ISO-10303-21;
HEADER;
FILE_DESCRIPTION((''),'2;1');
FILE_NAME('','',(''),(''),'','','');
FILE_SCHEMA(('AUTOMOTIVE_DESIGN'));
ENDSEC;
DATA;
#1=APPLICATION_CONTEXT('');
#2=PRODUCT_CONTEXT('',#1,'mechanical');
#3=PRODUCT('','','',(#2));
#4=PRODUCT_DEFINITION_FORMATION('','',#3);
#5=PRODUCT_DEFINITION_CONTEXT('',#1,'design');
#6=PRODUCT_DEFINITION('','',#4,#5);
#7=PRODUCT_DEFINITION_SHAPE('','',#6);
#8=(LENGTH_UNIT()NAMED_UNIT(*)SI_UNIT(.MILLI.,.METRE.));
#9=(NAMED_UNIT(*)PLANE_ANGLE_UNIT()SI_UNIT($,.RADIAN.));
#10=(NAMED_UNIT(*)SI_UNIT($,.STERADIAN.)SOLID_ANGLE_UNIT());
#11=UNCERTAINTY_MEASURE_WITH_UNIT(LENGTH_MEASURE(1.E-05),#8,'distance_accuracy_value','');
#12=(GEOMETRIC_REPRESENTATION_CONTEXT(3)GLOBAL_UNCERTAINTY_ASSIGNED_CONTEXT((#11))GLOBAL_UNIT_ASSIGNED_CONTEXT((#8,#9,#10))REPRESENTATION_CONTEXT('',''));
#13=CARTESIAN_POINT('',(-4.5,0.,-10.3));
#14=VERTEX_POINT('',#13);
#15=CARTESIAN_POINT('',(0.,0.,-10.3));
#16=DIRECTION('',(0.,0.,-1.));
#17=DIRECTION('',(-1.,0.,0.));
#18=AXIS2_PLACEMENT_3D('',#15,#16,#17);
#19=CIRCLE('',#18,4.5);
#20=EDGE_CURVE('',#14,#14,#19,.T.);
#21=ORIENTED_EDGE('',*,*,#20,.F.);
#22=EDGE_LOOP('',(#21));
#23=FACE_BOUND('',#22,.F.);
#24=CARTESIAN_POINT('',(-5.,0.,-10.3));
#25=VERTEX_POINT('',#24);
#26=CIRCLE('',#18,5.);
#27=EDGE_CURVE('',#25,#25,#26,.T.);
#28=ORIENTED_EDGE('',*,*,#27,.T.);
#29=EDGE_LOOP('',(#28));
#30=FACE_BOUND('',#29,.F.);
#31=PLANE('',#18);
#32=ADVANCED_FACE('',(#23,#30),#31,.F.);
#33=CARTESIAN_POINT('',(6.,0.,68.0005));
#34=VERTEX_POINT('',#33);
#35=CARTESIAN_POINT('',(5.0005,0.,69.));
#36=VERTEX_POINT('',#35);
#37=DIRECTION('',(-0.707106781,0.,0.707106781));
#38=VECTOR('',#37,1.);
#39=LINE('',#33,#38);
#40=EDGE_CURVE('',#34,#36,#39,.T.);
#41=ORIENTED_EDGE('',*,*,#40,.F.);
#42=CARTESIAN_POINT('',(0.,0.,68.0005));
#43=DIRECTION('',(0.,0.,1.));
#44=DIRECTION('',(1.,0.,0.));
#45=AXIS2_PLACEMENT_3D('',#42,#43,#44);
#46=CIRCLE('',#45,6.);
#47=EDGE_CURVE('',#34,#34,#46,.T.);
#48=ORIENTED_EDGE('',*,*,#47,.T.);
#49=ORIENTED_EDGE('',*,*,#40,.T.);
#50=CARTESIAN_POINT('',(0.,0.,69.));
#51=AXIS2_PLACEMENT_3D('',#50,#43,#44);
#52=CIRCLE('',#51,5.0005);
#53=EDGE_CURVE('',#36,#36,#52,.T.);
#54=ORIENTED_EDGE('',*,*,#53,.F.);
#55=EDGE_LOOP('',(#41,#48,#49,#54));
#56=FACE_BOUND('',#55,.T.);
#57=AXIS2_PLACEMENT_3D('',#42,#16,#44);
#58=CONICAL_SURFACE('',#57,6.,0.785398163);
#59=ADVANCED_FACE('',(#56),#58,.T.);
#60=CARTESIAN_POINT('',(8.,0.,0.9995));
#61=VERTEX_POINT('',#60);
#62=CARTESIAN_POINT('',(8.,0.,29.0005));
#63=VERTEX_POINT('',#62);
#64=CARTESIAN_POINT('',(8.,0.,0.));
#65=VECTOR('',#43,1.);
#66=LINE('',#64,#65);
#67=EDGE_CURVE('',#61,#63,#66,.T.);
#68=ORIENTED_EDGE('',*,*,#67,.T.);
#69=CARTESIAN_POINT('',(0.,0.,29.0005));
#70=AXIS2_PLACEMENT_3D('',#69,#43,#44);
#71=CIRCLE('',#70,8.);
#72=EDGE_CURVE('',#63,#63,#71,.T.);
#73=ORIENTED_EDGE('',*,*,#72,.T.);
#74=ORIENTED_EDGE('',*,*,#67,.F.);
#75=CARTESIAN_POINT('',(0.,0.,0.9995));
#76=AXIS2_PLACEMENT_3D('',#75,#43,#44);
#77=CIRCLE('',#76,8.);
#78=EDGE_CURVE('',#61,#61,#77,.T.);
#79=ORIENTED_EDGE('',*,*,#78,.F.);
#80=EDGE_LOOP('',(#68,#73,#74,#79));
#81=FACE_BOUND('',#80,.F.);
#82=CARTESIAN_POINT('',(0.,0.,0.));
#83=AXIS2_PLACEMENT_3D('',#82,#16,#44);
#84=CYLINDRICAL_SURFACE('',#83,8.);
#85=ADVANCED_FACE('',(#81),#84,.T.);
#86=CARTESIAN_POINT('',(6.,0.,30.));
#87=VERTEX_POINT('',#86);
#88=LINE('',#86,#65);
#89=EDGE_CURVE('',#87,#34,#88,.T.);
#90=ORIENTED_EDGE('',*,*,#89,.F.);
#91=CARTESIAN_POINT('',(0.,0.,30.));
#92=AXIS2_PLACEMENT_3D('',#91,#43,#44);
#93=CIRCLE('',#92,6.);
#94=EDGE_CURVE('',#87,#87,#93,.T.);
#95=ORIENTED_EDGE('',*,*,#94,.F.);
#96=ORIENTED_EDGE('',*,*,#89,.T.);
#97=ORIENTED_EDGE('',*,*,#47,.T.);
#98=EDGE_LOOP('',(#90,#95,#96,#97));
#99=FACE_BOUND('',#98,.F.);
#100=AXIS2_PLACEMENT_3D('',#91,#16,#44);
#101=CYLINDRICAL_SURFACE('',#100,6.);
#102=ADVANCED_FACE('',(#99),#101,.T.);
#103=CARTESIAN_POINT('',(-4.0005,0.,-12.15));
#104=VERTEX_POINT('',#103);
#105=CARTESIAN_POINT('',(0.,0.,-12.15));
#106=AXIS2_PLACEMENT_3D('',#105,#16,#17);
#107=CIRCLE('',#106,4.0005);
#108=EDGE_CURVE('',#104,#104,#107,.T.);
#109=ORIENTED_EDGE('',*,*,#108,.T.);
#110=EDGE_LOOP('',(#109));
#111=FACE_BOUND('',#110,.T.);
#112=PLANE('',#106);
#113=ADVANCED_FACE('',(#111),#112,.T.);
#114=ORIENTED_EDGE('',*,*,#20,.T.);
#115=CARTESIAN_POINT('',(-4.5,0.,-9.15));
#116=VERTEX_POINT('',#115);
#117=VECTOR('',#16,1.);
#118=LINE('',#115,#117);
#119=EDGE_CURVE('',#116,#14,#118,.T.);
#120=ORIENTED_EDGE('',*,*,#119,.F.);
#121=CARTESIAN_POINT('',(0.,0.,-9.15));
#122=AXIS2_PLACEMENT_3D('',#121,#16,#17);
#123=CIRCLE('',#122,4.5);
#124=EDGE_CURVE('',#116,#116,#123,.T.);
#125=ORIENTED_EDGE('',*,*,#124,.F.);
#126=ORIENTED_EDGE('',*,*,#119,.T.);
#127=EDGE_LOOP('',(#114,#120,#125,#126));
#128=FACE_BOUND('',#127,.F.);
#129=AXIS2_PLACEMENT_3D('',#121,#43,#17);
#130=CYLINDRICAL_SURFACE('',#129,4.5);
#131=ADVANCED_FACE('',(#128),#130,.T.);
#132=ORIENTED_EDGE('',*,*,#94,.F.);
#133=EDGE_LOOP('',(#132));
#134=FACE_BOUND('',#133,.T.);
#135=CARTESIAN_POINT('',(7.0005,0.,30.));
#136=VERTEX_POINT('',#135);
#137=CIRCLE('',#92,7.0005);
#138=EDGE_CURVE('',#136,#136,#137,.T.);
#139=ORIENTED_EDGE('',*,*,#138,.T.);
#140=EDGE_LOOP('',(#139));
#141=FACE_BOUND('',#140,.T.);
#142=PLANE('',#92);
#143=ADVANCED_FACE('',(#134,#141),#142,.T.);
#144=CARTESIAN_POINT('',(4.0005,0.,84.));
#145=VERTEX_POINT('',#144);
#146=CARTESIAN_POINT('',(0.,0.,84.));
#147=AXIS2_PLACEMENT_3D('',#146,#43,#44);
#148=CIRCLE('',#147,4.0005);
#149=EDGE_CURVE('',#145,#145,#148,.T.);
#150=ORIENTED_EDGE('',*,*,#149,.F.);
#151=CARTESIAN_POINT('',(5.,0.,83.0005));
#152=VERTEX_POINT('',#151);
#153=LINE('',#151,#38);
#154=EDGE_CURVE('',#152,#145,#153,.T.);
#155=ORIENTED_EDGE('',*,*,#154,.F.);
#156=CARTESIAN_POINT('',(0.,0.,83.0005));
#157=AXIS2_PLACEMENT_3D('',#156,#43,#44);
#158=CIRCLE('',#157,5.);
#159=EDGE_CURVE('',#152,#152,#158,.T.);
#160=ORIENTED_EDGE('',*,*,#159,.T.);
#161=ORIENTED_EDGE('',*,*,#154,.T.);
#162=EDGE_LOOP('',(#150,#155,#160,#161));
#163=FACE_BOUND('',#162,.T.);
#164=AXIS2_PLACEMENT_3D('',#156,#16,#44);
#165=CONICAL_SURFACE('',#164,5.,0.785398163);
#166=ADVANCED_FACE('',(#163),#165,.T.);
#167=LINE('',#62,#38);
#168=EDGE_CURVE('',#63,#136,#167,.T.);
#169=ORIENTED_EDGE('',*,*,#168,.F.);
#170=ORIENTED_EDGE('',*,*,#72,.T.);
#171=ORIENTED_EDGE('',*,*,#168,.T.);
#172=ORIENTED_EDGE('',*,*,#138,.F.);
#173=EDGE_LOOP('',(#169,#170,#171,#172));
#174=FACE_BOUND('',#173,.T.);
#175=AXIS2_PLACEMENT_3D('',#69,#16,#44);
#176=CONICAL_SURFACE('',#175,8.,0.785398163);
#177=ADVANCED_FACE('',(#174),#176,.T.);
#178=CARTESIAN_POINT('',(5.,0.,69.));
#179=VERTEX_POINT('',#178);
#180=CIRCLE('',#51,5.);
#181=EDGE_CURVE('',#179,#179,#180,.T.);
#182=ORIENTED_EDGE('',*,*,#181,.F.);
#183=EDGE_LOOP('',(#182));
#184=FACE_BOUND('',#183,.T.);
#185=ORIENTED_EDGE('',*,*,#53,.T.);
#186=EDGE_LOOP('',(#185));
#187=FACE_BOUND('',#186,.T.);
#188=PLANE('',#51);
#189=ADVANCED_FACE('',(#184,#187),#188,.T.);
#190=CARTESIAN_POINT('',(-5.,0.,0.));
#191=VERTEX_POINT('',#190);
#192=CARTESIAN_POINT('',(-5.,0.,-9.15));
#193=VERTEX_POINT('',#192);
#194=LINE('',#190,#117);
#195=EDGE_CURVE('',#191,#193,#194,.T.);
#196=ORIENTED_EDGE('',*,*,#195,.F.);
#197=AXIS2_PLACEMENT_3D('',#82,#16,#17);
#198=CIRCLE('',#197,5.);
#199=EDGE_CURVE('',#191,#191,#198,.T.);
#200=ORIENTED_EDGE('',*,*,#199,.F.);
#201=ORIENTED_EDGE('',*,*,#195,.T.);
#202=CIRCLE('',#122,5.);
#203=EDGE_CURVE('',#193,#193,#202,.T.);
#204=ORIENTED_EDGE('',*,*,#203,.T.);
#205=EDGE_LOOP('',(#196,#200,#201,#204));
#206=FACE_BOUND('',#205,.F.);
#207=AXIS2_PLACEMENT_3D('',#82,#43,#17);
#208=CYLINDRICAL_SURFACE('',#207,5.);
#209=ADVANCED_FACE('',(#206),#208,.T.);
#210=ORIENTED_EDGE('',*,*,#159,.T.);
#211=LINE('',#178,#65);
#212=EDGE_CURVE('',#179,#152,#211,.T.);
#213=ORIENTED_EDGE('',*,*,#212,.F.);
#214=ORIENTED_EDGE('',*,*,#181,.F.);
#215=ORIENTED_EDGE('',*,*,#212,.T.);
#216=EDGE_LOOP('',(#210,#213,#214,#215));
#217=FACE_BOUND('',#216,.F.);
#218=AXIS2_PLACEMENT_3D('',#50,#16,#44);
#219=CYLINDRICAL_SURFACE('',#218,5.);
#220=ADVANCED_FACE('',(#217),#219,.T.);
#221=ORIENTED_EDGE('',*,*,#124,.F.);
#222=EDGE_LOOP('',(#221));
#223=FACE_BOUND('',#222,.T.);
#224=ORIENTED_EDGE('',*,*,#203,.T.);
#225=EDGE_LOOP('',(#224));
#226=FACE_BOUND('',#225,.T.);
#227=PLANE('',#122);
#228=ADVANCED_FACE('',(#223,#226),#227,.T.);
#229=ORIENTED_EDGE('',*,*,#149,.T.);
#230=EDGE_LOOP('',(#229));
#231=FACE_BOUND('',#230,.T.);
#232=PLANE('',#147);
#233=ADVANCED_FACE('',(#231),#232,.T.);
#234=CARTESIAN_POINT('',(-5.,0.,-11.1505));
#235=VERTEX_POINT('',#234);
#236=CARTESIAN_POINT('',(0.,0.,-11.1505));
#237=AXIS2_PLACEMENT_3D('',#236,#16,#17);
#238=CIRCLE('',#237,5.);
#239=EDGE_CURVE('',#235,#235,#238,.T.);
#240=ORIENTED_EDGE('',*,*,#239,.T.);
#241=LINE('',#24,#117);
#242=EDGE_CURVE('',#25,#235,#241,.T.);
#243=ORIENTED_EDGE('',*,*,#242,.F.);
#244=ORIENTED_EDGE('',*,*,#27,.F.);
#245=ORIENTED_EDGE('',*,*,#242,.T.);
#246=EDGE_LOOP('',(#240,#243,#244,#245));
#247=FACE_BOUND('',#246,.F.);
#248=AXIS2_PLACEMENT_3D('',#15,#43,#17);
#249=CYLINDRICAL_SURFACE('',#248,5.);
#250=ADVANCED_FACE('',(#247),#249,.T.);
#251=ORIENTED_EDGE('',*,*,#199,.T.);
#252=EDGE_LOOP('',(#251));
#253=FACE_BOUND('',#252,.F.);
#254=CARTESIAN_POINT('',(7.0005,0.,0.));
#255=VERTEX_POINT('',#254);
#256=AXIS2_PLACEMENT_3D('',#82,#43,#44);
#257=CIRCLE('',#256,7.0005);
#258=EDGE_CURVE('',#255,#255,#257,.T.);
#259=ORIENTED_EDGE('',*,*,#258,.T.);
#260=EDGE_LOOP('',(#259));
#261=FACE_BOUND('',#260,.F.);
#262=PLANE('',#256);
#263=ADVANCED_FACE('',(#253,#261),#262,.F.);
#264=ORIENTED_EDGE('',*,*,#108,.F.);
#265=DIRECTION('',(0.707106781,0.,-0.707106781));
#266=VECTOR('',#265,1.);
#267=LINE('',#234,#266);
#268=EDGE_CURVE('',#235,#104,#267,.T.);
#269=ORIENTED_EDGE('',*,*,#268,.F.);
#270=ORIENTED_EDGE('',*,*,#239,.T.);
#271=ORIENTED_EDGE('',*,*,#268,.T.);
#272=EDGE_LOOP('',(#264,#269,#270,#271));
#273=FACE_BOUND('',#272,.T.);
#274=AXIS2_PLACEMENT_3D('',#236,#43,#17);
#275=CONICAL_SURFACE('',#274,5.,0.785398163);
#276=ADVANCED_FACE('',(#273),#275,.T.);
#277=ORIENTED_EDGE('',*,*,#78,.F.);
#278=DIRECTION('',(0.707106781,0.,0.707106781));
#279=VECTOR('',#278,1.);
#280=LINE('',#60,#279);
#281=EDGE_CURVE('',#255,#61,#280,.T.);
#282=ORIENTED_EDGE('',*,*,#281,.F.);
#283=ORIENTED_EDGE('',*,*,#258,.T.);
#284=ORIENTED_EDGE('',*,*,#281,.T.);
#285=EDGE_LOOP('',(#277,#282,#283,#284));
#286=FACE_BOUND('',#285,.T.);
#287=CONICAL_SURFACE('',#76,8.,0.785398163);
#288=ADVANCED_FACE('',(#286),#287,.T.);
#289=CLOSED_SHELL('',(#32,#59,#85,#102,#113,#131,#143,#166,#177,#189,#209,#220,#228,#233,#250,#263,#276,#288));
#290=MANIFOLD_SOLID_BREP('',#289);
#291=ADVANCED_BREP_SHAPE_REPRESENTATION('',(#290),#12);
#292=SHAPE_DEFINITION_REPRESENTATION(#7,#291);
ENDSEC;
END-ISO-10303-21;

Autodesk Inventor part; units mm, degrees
ref_plane "YZ Plane" through (0, 0, 0) normal (1, 0, 0) x (0, 1, 0)
ref_plane "XZ Plane" through (0, 0, 0) normal (0, 1, 0) x (-1, 0, 0)
ref_plane "XY Plane" through (0, 0, 0) normal (0, 0, 1) x (1, 0, 0)
sketch "Esboço1" plane through (0, 0, 0) normal (0, 0, 1) x (1, 0, 0)
  circle A0 centre (0, 0) radius 8
  dimension "d0" = 16
extrude "Extrusão1" add sketch "Esboço1" along normal blind 30
sketch "Esboço2" plane through (0, 0, 30) normal (0, 0, 1) x (1, 0, 0)
  circle A0 centre (0, 0) radius 6
  dimension "d3" = 12
extrude "Extrusão2" add sketch "Esboço2" along normal blind 39
sketch "Esboço3" plane through (0, 0, 69) normal (0, 0, 1) x (1, 0, 0)
  circle A0 centre (0, 0) radius 5
  dimension "d6" = 10
extrude "Extrusão3" add sketch "Esboço3" along normal blind 15
sketch "Esboço4" plane through (0, 0, 0) normal (0, 0, -1) x (-1, 0, 0)
  circle A0 centre (0, 0) radius 5
  dimension "d9" = 10
extrude "Extrusão4" add sketch "Esboço4" along normal blind 9.15
sketch "Esboço5" plane through (0, 0, -9.15) normal (0, 0, -1) x (-1, 0, 0)
  circle A0 centre (0, 0) radius 4.5
  dimension "d12" = 9
extrude "Extrusão5" add sketch "Esboço5" along normal blind 1.15
sketch "Esboço6" plane through (0, 0, -10.3) normal (0, 0, -1) x (-1, 0, 0)
  circle A0 centre (0, 0) radius 5
  dimension "d15" = 10
extrude "Extrusão6" add sketch "Esboço6" along normal blind 1.85
thread "Rosca1" size "M12x1.75" class "6g" standard "ANSI Metric M Profile" length 14
chamfer "Chanfro1" distance 1 angle 45 5 edges at (-5, 0, 84) (-6, 0, 69) (-8, 0, 30) (-8, 0, 0) (5, 0, -12.15)
properties part number "SFU16XX"
